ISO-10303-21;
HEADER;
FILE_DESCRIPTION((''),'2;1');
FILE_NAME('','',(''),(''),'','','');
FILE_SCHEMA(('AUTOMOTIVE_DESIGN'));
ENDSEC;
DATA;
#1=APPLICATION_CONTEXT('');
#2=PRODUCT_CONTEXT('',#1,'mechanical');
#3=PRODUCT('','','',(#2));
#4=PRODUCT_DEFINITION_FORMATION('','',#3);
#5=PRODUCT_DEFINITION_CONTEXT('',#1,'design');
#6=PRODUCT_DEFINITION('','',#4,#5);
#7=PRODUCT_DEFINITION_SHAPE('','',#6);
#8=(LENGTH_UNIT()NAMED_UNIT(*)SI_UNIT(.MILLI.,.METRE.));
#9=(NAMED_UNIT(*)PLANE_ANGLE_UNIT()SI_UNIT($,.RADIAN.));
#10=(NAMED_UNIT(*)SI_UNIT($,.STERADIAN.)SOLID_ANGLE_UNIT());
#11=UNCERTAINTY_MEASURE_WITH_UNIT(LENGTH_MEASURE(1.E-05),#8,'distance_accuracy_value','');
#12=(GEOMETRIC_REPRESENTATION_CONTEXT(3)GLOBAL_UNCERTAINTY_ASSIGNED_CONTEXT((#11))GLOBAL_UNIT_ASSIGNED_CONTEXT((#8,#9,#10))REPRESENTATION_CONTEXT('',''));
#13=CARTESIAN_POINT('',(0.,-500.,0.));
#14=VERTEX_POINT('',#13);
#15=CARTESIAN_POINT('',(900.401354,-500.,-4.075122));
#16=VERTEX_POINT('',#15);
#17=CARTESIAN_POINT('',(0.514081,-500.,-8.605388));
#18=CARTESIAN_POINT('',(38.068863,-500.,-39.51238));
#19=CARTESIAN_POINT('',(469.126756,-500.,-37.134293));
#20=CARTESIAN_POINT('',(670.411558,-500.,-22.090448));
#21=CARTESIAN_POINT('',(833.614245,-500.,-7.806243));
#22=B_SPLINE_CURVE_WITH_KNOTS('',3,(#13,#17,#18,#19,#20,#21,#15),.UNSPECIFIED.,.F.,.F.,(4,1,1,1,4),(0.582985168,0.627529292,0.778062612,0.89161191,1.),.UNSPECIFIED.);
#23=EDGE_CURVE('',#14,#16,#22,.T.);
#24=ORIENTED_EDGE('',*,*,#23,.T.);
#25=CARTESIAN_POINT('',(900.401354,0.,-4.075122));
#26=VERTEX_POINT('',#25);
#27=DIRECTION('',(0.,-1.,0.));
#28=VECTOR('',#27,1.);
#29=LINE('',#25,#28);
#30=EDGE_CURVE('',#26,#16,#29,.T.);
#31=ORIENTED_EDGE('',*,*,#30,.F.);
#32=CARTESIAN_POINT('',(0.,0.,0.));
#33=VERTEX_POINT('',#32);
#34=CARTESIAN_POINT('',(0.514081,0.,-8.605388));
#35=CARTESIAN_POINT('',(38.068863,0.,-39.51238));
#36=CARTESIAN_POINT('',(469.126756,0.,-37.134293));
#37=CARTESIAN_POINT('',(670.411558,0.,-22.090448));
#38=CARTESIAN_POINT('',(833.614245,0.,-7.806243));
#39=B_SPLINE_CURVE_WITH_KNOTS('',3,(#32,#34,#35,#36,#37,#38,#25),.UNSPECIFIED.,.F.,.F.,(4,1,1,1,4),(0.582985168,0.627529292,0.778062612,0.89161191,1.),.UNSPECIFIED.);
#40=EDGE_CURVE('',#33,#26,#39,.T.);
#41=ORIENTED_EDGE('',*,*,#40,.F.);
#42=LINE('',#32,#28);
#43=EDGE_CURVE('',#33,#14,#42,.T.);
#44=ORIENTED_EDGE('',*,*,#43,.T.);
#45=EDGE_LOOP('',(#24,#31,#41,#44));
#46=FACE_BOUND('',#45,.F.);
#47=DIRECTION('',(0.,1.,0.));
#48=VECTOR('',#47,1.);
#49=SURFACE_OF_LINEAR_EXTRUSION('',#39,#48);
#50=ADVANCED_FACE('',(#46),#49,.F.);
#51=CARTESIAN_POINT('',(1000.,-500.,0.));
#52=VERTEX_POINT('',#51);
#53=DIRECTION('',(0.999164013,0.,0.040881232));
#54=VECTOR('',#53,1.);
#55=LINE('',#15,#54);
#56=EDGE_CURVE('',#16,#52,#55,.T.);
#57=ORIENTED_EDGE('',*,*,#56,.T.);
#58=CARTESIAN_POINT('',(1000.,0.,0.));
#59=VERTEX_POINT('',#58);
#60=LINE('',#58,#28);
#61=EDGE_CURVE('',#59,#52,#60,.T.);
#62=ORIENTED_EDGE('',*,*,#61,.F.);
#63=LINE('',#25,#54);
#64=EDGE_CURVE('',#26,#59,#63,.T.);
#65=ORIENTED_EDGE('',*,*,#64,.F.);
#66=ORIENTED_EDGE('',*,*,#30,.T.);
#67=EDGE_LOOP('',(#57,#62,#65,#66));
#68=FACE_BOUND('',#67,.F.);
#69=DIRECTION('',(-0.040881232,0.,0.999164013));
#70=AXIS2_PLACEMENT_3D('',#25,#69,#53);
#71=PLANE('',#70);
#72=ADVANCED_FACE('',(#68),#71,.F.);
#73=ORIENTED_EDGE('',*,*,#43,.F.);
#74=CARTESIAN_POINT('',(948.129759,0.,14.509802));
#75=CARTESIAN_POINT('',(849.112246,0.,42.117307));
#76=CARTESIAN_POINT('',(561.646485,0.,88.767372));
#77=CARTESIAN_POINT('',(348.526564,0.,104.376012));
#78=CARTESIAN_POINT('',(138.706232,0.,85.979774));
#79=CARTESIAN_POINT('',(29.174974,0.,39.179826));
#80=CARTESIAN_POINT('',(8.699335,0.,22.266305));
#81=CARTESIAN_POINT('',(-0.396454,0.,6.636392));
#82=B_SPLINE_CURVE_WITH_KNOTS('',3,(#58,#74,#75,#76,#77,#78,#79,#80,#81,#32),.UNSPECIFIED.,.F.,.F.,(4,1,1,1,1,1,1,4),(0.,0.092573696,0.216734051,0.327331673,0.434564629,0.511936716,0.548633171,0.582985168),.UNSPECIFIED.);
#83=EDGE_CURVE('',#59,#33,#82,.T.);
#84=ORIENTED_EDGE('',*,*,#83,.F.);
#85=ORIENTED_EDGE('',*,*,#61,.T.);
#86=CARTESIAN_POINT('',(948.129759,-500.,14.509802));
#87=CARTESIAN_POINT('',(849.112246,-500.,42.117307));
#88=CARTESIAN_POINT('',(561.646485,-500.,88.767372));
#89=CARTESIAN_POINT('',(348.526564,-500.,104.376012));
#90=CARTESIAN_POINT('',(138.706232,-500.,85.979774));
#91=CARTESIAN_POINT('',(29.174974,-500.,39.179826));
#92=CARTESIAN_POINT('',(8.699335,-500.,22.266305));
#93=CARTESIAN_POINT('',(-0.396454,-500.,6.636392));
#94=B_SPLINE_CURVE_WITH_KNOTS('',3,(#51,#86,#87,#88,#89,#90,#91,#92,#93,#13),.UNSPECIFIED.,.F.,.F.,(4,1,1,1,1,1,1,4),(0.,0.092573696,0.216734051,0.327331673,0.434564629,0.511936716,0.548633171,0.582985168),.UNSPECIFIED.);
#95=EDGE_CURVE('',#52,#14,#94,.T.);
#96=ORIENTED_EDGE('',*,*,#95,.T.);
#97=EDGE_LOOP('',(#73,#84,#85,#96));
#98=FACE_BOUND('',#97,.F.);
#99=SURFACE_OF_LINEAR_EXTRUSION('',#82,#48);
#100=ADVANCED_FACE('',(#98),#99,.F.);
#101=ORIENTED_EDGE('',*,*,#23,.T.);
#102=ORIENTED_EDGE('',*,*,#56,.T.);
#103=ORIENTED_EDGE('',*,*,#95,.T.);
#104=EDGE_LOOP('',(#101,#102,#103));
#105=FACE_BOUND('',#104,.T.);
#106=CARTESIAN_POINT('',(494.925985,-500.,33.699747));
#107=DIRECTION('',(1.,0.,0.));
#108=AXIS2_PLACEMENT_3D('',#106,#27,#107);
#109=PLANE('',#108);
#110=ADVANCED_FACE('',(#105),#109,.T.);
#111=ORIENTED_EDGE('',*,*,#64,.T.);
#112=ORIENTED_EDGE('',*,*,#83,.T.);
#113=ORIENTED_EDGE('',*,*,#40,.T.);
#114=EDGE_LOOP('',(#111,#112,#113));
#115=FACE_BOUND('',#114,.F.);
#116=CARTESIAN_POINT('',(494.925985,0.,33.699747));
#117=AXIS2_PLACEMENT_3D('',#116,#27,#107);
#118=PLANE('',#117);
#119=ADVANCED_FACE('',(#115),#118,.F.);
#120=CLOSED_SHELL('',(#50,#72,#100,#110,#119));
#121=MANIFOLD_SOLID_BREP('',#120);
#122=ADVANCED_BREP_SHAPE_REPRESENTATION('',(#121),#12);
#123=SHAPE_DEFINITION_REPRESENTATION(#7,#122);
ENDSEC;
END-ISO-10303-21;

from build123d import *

# Parameters (mm, degrees)
F1_DEPTH = 500


with BuildPart() as f1:
    # F0 (on Front) → F1 (new body)
    with BuildSketch(Plane.XZ):
        with BuildLine():
            add(Edge.make_bspline(
                [(1000, 0), (948.1297593634, 14.5098018368), (849.1122457512, 42.1173074991), (561.6464850028, 88.7673719424), (348.5265637049, 104.3760119792), (138.7062323168, 85.9797741697), (29.174973605, 39.1798256004), (8.6993349224, 22.2663052118), (-0.3964540465, 6.6363919258), (0, 0)],
                knots=[0, 0, 0, 0, 0.0925736964, 0.2167340509, 0.3273316735, 0.4345646292, 0.5119367164, 0.5486331711, 0.5829851681, 0.5829851681, 0.5829851681, 0.5829851681], degree=3))
            Line((0, 0), (1000, 0))
        make_face()
        with BuildLine():
            Line((1000, 0), (0, 0))
            add(Edge.make_bspline(
                [(0, 0), (0.5140806813, -8.6053879697), (38.0688634842, -39.5123796962), (469.1267560358, -37.1342934472), (670.4115578606, -22.0904478155), (833.6142452738, -7.8062431402), (900.4013538361, -4.0751220658)],
                knots=[0.5829851681, 0.5829851681, 0.5829851681, 0.5829851681, 0.6275292917, 0.7780626123, 0.8916119102, 1, 1, 1, 1], degree=3))
            Line((900.4013538361, -4.0751220658), (1000, 0))
        make_face()
    extrude(amount=F1_DEPTH)


solid = f1.part
